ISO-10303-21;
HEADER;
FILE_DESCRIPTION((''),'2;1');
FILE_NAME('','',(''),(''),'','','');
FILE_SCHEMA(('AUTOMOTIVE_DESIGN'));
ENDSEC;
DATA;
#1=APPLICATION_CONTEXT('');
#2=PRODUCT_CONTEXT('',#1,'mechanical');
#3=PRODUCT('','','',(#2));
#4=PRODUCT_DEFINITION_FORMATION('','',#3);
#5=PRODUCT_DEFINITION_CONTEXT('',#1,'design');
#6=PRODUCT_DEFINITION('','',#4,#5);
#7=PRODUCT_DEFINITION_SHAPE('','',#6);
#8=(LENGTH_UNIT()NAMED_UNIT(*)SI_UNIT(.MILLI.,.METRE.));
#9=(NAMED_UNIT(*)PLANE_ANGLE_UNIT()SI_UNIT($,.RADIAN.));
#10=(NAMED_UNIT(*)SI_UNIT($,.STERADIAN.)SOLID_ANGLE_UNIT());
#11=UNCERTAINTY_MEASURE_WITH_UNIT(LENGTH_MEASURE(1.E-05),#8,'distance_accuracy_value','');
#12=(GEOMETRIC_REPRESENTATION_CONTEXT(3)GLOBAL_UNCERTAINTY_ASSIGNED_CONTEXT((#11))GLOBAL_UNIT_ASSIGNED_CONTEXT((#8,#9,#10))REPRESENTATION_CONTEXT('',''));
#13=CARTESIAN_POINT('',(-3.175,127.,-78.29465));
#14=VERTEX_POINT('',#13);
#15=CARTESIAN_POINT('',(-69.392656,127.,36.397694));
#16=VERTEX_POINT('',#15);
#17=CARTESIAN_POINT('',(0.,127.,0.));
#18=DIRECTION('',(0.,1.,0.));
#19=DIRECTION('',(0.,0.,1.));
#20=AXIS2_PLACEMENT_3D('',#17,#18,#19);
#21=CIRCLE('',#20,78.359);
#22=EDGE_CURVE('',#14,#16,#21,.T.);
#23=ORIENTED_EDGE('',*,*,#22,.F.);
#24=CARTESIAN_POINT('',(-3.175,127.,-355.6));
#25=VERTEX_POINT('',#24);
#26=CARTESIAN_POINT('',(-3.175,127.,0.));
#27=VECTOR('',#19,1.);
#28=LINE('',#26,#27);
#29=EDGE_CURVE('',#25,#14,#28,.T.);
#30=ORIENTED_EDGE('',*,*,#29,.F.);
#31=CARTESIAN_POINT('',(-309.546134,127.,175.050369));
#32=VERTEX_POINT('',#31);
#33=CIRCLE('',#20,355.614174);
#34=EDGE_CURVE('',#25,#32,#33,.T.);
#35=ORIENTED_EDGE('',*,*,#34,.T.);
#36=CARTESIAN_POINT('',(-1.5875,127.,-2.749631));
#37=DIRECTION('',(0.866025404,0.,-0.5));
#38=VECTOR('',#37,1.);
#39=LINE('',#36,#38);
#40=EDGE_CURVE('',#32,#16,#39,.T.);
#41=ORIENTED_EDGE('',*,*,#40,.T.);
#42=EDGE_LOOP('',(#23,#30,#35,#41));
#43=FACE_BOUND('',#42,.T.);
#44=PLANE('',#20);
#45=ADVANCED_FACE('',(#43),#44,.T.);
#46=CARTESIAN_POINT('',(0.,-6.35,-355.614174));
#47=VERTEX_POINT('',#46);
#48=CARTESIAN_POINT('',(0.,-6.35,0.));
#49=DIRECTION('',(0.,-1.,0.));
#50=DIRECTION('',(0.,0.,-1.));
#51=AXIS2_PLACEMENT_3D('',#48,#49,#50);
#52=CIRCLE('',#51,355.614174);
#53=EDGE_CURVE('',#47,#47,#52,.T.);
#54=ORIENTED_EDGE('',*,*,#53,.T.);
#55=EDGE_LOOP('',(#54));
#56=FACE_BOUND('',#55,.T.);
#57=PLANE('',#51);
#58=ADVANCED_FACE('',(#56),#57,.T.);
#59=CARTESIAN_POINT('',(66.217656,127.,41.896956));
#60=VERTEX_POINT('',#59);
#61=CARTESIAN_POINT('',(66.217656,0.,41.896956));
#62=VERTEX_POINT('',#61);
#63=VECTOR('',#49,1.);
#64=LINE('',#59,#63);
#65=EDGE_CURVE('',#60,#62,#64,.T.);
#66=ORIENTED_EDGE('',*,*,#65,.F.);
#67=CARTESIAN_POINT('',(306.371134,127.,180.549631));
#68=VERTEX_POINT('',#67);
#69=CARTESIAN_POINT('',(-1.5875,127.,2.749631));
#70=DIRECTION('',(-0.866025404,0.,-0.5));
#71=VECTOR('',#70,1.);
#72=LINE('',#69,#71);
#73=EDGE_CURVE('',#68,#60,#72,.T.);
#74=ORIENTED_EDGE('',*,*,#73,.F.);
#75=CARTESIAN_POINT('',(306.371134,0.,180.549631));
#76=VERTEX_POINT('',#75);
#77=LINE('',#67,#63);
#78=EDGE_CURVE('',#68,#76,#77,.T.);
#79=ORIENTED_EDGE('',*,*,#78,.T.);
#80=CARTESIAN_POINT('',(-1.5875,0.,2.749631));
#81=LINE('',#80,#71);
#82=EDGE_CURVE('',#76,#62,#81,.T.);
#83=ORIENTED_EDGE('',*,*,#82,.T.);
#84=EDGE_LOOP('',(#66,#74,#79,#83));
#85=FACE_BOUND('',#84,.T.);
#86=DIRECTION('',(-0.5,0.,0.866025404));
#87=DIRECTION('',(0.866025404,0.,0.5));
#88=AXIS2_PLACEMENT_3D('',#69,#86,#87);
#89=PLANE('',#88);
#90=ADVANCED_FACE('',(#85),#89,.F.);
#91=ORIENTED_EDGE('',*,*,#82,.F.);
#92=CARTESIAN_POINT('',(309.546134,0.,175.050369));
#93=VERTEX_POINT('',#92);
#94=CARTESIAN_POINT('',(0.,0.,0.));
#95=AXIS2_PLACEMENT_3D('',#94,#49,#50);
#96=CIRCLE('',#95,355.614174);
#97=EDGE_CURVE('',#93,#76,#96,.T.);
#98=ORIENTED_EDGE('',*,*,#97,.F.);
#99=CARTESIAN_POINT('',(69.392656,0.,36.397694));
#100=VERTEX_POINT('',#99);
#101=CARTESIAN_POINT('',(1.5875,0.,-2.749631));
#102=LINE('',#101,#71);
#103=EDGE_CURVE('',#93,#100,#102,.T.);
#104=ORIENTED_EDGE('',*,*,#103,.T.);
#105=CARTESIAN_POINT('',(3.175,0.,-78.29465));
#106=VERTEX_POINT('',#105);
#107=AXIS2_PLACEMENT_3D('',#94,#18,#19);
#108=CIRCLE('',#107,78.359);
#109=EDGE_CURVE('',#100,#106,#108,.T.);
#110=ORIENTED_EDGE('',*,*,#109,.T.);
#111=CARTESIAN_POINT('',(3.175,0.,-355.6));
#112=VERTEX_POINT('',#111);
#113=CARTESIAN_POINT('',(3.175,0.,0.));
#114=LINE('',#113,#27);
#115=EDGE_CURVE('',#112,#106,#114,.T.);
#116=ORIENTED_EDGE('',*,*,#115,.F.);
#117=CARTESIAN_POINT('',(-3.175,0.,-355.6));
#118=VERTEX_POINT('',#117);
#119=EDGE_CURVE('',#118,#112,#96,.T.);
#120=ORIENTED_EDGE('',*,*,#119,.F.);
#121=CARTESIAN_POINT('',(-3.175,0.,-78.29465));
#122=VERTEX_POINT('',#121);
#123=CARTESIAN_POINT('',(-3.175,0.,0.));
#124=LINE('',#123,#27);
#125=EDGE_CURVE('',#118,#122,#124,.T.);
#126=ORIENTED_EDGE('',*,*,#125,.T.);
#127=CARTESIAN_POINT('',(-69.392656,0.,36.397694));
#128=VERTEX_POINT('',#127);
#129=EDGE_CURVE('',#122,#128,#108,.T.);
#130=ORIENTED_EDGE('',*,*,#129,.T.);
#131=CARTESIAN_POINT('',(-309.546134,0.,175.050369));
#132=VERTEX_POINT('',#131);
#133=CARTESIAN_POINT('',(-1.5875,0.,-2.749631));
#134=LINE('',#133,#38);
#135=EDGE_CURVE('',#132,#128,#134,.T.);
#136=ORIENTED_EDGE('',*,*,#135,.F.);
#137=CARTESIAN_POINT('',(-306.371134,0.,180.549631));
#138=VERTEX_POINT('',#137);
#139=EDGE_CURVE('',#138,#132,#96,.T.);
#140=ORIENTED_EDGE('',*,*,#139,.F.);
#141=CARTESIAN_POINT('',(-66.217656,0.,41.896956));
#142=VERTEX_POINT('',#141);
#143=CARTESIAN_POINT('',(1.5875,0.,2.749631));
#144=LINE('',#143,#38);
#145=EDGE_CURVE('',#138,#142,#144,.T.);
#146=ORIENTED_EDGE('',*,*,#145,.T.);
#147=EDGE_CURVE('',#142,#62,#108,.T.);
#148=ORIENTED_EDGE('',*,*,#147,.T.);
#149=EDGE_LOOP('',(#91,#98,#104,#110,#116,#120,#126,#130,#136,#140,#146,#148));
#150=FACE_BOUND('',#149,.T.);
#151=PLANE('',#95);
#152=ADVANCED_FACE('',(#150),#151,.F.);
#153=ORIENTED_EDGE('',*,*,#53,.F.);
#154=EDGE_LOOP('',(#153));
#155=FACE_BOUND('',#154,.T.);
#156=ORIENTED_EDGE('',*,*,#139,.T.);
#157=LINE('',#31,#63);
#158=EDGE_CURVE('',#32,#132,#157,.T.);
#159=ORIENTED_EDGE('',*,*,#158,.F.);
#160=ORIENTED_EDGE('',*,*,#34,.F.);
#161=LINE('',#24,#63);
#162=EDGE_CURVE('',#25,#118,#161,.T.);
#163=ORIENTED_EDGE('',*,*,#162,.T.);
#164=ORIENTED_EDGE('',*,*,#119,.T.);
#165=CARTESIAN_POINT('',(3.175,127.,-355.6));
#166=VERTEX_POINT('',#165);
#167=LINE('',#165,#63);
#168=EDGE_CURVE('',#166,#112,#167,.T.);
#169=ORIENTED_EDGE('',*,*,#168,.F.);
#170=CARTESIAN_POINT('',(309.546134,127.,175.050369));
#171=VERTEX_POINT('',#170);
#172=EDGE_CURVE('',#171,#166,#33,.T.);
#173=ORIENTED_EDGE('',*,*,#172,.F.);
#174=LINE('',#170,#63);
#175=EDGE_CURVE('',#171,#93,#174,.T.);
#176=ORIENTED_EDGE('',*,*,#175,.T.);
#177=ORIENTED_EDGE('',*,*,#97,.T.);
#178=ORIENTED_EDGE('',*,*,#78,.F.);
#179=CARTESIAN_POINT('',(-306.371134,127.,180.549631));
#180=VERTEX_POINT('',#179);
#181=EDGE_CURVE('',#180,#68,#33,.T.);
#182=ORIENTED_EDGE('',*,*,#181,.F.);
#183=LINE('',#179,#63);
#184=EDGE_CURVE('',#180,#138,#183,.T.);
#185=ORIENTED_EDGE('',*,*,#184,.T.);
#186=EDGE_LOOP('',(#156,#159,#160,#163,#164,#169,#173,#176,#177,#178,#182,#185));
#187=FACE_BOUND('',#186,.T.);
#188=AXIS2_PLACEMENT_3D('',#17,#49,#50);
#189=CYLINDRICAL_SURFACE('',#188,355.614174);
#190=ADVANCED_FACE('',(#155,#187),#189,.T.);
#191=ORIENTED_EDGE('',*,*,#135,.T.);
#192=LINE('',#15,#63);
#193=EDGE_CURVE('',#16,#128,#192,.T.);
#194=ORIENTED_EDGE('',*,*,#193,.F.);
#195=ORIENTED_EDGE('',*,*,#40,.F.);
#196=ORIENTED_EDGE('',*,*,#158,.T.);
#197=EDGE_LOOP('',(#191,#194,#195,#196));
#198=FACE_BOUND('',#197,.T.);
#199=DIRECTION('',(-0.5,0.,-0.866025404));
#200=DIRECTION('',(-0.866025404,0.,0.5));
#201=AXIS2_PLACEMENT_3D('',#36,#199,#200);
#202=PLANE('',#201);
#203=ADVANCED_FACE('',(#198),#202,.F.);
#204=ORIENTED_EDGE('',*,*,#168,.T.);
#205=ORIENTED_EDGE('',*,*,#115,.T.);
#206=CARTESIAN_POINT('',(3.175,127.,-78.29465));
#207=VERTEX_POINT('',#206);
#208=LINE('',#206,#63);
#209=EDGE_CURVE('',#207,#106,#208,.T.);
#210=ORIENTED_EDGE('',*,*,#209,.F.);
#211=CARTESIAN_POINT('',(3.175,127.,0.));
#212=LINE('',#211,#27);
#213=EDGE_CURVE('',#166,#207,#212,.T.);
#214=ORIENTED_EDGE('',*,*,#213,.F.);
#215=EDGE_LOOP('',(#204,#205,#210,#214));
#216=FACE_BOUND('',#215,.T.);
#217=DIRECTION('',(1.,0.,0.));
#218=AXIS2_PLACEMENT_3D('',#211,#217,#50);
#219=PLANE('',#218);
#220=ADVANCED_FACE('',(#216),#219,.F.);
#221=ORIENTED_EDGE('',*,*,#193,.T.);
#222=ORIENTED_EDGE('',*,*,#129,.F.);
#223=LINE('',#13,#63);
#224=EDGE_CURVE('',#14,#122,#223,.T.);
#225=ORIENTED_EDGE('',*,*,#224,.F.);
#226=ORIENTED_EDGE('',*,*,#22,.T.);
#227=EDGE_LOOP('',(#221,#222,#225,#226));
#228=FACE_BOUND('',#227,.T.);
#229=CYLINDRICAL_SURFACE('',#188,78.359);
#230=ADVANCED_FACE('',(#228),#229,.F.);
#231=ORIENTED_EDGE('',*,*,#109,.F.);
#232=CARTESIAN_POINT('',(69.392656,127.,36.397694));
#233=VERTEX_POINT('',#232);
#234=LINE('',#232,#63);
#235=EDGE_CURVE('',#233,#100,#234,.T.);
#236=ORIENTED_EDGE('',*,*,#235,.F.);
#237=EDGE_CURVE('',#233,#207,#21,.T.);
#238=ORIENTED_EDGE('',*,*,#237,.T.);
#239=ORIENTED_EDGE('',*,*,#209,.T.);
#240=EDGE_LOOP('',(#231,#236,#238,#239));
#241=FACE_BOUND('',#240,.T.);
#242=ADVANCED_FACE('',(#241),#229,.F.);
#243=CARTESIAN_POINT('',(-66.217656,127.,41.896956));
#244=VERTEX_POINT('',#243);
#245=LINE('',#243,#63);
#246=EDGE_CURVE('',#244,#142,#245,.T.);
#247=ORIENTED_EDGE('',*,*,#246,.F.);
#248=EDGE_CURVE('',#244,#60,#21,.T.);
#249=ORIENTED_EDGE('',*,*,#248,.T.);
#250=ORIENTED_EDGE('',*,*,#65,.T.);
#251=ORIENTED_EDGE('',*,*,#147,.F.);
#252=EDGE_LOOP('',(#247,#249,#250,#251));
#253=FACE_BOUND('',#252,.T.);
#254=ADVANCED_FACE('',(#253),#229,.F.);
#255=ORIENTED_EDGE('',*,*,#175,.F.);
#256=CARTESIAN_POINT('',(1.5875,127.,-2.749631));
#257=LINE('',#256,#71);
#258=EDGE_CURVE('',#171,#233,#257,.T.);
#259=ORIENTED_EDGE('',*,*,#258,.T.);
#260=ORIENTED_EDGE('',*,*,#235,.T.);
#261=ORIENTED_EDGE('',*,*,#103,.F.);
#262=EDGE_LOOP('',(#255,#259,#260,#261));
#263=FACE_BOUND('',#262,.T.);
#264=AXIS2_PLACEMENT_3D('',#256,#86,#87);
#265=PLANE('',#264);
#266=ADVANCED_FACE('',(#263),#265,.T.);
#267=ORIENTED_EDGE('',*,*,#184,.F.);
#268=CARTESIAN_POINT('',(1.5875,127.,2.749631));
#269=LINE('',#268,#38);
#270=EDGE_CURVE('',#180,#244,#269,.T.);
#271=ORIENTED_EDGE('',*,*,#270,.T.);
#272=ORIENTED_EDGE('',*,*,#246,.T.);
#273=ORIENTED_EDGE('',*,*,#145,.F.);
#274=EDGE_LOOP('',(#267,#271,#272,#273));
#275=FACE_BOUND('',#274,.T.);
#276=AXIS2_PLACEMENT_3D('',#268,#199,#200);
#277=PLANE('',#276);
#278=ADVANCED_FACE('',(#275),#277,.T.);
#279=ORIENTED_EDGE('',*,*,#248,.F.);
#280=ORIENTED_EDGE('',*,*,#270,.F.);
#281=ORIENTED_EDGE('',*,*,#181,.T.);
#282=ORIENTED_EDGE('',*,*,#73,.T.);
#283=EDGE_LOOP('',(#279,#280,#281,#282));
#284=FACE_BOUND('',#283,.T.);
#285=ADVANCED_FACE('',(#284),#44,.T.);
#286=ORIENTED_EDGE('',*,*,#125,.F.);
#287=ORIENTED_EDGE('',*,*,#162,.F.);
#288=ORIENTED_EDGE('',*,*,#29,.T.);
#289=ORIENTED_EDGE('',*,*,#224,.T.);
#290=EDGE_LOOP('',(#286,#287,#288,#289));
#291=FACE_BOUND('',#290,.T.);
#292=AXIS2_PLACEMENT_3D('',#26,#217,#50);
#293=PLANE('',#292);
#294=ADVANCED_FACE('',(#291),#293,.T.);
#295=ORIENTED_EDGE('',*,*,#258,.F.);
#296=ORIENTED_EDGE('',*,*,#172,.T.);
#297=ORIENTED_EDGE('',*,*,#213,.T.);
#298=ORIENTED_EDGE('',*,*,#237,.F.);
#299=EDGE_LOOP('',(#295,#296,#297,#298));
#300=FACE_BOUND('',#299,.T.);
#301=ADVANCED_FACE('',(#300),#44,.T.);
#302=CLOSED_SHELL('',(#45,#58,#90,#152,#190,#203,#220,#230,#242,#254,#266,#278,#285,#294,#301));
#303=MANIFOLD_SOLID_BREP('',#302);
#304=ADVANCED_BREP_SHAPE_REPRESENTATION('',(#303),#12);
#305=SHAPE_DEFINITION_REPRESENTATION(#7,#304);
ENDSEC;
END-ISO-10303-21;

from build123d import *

# Parameters (mm, degrees)
BOSS_EXTRUDE1_DEPTH   = 127
BOSS_EXTRUDE1_2_DEPTH = 127
BOSS_EXTRUDE1_3_DEPTH = 127
SKETCH3_R             = 355.614173825
BOSS_EXTRUDE2_DEPTH   = 6.35


with BuildPart() as part:
    # Sketch2 → Boss-Extrude1 (new body)
    with BuildSketch(Plane(origin=(0, 0, 0), x_dir=(1, 0, 0), z_dir=(0, 1, 0))):
        with BuildLine():
            ThreePointArc((-3.175, 355.6), (-307.970908478, 177.807086912), (-309.546133586, -175.050369343))
            Line((-309.546133586, -175.050369343), (-69.392656087, -36.397694462))
            ThreePointArc((-69.392656087, -36.397694462), (-67.860884615, 39.1795), (-3.175, 78.294650239))
            Line((-3.175, 78.294650239), (-3.175, 355.6))
        make_face()
    extrude(amount=BOSS_EXTRUDE1_DEPTH)



with BuildPart() as body_2:
    # Sketch2 → Boss-Extrude1 2 (new body)
    with BuildSketch(Plane(origin=(0, 0, 0), x_dir=(1, 0, 0), z_dir=(0, 1, 0))):
        with BuildLine():
            Line((69.392656087, -36.397694462), (309.546133586, -175.050369343))
            ThreePointArc((309.546133586, -175.050369343), (343.904371287, -90.505381247), (355.614173825, 0))
            ThreePointArc((355.614173825, 0), (252.577231384, 250.332144983), (3.175, 355.6))
            Line((3.175, 355.6), (3.175, 78.294650239))
            ThreePointArc((3.175, 78.294650239), (56.519566108, 54.274041014), (78.359, 0))
            ThreePointArc((78.359, 0), (76.084400567, -18.74291523), (69.392656087, -36.397694462))
        make_face()
    extrude(amount=BOSS_EXTRUDE1_2_DEPTH)


with BuildPart() as body_3:
    # Sketch2 → Boss-Extrude1 3 (new body)
    with BuildSketch(Plane(origin=(0, 0, 0), x_dir=(1, 0, 0), z_dir=(0, 1, 0))):
        with BuildLine():
            ThreePointArc((-306.371133586, -180.549630657), (0, -355.614173825), (306.371133586, -180.549630657))
            Line((306.371133586, -180.549630657), (66.217656087, -41.896955776))
            ThreePointArc((66.217656087, -41.896955776), (0, -78.359), (-66.217656087, -41.896955776))
            Line((-66.217656087, -41.896955776), (-306.371133586, -180.549630657))
        make_face()
    extrude(amount=BOSS_EXTRUDE1_3_DEPTH)


with BuildPart() as part_1:
    add(part.part)

    add(body_2.part)  # Boss-Extrude2 merges body 2

    add(body_3.part)  # Boss-Extrude2 merges body 3
    # Sketch3 → Boss-Extrude2 (add)
    with BuildSketch(Plane.XZ):
        Circle(SKETCH3_R)
    extrude(amount=BOSS_EXTRUDE2_DEPTH)


solid = part_1.part
